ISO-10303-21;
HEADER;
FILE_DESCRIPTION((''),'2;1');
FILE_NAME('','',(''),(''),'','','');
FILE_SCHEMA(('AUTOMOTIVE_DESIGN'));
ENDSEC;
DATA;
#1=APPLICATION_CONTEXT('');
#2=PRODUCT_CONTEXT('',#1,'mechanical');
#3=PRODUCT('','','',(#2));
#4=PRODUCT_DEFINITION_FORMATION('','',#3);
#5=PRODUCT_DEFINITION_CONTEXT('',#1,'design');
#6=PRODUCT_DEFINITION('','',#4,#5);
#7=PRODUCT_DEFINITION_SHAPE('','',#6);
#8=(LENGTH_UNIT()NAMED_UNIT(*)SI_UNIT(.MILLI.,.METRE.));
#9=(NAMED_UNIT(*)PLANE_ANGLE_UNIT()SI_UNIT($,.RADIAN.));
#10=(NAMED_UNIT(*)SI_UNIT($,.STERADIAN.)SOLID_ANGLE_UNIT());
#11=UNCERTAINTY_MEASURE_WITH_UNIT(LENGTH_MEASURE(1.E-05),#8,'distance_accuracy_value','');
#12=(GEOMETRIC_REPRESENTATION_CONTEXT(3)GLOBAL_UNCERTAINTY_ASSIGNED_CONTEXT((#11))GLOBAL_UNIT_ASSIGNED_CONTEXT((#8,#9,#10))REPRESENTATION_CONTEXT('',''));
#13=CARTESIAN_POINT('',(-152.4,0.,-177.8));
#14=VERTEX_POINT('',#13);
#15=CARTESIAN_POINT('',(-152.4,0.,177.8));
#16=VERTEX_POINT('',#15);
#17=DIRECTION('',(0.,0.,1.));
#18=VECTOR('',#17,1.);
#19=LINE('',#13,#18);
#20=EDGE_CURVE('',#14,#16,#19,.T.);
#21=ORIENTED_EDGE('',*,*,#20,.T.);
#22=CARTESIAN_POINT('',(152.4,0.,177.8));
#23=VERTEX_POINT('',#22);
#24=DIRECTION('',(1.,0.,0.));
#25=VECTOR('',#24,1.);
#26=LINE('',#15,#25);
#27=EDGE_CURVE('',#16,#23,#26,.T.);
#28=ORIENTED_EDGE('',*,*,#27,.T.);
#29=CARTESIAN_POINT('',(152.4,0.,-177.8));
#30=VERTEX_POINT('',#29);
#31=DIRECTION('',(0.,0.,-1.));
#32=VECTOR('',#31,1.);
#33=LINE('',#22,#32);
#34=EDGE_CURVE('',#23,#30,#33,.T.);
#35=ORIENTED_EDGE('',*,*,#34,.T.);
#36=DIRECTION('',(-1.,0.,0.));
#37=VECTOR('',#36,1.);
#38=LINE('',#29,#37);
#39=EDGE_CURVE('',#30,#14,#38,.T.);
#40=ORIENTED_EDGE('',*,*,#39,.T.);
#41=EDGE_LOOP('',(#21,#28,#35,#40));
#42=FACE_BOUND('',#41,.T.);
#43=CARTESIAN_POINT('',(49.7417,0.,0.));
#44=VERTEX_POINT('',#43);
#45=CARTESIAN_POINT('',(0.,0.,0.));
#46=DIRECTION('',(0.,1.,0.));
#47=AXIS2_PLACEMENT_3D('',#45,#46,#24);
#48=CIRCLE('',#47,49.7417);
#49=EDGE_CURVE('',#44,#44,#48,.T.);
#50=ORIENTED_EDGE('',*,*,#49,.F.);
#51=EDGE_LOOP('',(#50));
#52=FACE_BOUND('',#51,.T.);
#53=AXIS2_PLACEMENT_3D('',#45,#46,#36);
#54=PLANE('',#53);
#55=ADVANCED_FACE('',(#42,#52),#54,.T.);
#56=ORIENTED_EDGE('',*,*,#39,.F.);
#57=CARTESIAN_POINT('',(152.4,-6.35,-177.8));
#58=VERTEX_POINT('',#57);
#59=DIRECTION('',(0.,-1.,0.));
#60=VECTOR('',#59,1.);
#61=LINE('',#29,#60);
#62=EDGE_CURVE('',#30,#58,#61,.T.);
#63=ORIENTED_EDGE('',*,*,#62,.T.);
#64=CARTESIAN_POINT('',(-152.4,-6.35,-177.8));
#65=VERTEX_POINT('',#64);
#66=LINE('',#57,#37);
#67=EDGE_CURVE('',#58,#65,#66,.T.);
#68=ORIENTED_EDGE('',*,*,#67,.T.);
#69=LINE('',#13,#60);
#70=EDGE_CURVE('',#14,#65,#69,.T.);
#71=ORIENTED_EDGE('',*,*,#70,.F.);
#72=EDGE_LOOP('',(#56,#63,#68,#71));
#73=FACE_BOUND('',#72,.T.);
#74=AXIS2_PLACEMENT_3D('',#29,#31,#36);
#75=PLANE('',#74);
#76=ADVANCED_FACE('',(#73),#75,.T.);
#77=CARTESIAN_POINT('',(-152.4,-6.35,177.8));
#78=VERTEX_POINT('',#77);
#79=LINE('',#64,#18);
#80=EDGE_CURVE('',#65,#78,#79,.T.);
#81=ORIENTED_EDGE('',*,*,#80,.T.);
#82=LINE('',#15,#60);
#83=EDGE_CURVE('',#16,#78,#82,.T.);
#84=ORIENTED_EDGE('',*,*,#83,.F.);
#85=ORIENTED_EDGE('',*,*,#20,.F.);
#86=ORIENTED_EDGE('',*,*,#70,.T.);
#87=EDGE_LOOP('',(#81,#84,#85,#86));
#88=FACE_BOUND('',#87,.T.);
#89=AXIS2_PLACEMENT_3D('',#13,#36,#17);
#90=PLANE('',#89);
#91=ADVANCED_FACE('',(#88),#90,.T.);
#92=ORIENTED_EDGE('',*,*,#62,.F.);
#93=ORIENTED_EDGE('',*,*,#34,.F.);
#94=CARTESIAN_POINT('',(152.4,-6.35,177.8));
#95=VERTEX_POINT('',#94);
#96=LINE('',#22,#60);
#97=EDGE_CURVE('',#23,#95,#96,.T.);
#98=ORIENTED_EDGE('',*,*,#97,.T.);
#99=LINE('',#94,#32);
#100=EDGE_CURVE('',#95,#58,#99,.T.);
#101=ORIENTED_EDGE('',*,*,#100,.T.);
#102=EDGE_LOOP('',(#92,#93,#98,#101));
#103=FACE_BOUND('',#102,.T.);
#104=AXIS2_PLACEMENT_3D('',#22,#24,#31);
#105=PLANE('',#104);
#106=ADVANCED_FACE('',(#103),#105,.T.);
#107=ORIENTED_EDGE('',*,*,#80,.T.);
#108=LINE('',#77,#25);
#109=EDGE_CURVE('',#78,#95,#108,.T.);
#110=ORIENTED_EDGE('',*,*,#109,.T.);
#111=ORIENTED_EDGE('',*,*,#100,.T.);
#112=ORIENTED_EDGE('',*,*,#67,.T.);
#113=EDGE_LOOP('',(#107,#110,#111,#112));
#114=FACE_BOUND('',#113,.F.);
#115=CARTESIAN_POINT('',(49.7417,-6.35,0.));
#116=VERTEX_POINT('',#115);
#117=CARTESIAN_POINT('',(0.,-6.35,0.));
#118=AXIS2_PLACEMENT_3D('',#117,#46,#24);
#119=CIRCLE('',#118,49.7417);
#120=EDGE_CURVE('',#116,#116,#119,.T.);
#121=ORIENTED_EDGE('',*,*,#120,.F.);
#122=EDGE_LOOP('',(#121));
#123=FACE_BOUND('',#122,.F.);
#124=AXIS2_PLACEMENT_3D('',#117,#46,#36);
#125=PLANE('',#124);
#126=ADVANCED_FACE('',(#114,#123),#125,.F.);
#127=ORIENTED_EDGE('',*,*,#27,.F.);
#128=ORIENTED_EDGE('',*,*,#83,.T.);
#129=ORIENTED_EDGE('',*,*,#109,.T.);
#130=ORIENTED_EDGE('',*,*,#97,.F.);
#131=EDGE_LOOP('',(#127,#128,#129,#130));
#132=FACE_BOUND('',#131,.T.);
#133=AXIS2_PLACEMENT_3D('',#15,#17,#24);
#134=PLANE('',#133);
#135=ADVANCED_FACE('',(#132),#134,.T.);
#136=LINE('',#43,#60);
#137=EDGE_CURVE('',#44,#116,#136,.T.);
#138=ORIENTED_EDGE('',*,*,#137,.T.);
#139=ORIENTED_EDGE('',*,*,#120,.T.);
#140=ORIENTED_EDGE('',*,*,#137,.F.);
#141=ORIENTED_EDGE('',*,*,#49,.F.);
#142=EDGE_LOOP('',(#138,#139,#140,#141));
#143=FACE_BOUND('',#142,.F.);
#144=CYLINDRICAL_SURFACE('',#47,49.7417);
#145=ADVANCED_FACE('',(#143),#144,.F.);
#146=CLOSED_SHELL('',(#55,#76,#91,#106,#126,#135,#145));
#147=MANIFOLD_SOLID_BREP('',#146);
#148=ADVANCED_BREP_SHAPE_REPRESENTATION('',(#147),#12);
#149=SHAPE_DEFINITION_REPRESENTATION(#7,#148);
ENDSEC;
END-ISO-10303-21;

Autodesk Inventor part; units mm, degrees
ref_plane "YZ Plane" through (0, 0, 0) normal (1, 0, 0) x (0, 1, 0)
ref_plane "XZ Plane" through (0, 0, 0) normal (0, 1, 0) x (-1, 0, 0)
ref_plane "XY Plane" through (0, 0, 0) normal (0, 0, 1) x (1, 0, 0)
sketch "Sketch2" plane through (0, 0, 0) normal (0, 1, 0) x (-1, 0, 0)
  line L0 (-152.4, 177.8) -> (-152.4, -177.8)
  line L1 (-152.4, -177.8) -> (152.4, -177.8)
  line L2 (152.4, -177.8) -> (152.4, 177.8)
  line L3 (152.4, 177.8) -> (-152.4, 177.8)
  line L4 (-152.4, 177.8) -> (152.4, -177.8) construction
  line L5 (-152.4, -177.8) -> (152.4, 177.8) construction
  point P0 (0, 0)
  dimension "d1" = 355.6
  dimension "d2" = 304.8
extrude "Extrusion1" add sketch "Sketch2" against normal blind 6.35
sketch "Sketch3" plane through (0, 0, 0) normal (0, 1, 0) x (1, 0, 0)
  circle A0 centre (0, 0) radius 49.7417
  dimension "d5" = 99.4833
extrude "Extrusion2" cut sketch "Sketch3" against normal through all
equation "\"ringInnerDiam\" = 105.83333"
properties part number "LexanBasePlate" material "Polycarbonate, Clear"
